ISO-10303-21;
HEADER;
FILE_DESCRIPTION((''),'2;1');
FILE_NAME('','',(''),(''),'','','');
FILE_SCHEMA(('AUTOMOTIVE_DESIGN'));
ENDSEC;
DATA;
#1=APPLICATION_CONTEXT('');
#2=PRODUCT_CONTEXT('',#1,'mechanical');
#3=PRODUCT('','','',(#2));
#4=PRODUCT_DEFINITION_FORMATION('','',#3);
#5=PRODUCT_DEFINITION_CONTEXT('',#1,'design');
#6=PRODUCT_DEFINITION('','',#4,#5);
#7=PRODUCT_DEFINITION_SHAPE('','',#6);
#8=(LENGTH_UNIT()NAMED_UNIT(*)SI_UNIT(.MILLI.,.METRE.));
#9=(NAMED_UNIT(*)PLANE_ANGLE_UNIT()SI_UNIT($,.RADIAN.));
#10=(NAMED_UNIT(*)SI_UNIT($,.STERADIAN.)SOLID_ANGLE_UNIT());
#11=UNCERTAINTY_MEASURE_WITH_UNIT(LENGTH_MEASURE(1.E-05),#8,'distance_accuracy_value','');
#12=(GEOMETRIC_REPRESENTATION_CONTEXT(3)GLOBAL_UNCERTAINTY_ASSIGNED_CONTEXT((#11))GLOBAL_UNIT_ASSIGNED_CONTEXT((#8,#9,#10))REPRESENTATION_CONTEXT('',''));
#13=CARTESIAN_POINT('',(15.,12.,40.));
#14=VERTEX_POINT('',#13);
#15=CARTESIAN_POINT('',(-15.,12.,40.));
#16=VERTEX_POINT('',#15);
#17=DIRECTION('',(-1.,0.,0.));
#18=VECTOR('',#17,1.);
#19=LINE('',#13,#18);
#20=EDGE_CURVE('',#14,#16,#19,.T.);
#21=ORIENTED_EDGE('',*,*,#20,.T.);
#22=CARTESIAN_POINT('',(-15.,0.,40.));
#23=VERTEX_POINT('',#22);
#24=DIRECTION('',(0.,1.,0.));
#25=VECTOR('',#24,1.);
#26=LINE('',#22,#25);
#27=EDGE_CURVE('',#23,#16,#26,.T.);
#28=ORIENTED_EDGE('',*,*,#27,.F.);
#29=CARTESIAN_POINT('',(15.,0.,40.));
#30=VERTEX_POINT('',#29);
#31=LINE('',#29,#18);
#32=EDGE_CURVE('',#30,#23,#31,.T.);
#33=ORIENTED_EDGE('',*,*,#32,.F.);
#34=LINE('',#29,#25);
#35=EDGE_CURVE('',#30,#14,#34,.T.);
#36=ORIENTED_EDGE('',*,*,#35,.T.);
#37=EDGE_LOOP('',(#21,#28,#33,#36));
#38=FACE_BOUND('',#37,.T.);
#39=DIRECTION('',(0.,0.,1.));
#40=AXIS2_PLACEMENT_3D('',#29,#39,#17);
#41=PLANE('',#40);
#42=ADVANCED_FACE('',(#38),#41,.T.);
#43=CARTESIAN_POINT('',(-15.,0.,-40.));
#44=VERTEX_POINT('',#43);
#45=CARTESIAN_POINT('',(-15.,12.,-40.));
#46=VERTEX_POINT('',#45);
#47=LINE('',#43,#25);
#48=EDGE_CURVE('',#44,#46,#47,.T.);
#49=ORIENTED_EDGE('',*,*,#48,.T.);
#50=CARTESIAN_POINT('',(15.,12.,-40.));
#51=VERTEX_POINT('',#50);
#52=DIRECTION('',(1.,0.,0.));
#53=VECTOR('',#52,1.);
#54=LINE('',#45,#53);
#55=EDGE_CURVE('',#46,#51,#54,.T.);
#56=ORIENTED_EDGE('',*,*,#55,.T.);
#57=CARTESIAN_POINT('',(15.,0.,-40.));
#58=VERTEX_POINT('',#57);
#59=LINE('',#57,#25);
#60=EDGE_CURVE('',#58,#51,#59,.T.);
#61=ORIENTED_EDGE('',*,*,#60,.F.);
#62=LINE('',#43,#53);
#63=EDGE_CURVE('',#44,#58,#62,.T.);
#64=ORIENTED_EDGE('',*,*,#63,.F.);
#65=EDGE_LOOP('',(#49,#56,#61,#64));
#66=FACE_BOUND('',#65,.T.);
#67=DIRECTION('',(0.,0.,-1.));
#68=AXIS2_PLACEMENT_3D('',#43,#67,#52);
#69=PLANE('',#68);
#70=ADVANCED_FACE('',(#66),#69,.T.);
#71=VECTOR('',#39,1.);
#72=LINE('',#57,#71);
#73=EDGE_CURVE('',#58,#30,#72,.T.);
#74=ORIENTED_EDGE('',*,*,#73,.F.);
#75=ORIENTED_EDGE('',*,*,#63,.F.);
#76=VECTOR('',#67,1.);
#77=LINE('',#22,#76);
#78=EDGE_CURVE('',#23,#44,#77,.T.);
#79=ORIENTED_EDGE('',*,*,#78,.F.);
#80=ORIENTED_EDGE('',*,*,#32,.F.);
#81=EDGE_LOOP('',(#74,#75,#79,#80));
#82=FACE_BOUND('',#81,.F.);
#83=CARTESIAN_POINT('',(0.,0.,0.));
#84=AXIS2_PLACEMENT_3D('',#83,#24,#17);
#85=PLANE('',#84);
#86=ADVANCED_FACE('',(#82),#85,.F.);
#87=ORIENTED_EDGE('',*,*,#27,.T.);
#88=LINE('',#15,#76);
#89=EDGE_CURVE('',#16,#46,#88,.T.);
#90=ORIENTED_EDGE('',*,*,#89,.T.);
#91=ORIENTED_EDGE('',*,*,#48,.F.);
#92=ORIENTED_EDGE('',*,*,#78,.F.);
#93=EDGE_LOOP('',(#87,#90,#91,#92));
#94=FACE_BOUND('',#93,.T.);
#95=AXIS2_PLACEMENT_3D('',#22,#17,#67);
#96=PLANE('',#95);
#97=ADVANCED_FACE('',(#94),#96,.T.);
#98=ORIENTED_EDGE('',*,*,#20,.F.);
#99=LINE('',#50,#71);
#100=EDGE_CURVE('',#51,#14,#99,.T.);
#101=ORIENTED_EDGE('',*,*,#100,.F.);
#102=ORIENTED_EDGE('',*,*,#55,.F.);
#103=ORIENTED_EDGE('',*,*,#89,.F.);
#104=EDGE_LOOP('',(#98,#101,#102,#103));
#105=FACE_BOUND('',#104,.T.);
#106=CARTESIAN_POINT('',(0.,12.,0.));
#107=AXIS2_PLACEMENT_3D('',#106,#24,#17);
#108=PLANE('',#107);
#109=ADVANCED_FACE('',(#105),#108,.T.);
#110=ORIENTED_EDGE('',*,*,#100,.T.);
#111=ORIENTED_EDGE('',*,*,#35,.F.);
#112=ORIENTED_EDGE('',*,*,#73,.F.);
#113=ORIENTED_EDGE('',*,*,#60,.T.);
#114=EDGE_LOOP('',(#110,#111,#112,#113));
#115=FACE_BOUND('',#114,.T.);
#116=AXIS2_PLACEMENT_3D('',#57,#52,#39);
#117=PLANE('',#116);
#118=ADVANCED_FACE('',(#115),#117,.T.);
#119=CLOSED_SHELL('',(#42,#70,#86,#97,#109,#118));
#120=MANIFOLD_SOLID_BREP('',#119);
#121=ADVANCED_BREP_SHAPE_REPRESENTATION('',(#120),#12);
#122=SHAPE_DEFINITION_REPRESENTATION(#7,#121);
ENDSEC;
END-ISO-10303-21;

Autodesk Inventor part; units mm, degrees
ref_plane "YZ Plane" through (0, 0, 0) normal (1, 0, 0) x (0, 1, 0)
ref_plane "XZ Plane" through (0, 0, 0) normal (0, 1, 0) x (-1, 0, 0)
ref_plane "XY Plane" through (0, 0, 0) normal (0, 0, 1) x (1, 0, 0)
sketch "Sketch1" plane through (0, 0, 0) normal (0, 1, 0) x (-1, 0, 0)
  line L0 (-15, 40) -> (15, 40)
  line L1 (15, 40) -> (15, -40)
  line L2 (15, -40) -> (-15, -40)
  line L3 (-15, -40) -> (-15, 40)
  line L4 (-15, 40) -> (15, -40) construction
  line L5 (15, 40) -> (-15, -40) construction
  point P0 (0, 0)
  dimension "d0" = 80
  dimension "d1" = 30
extrude "Extrusion1" add sketch "Sketch1" along normal blind 12
sketch "Sketch2" plane through (0, 12, 0) normal (0, 1, 0) x (1, 0, 0)
  line L0 (15, 40) -> (14.4693, -40.195) construction
  line L1 (14.4693, -40.195) -> (-15, -40) construction
  line L2 (-15, -40) -> (-14.4693, 40.195) construction
  line L3 (-14.4693, 40.195) -> (15, 40) construction
  point P0 (0, 0)
ref_plane "Work Plane1" through (-15, 0, 0) normal (0, 0, 1) x (1, 0, 0)
properties part number "board"
